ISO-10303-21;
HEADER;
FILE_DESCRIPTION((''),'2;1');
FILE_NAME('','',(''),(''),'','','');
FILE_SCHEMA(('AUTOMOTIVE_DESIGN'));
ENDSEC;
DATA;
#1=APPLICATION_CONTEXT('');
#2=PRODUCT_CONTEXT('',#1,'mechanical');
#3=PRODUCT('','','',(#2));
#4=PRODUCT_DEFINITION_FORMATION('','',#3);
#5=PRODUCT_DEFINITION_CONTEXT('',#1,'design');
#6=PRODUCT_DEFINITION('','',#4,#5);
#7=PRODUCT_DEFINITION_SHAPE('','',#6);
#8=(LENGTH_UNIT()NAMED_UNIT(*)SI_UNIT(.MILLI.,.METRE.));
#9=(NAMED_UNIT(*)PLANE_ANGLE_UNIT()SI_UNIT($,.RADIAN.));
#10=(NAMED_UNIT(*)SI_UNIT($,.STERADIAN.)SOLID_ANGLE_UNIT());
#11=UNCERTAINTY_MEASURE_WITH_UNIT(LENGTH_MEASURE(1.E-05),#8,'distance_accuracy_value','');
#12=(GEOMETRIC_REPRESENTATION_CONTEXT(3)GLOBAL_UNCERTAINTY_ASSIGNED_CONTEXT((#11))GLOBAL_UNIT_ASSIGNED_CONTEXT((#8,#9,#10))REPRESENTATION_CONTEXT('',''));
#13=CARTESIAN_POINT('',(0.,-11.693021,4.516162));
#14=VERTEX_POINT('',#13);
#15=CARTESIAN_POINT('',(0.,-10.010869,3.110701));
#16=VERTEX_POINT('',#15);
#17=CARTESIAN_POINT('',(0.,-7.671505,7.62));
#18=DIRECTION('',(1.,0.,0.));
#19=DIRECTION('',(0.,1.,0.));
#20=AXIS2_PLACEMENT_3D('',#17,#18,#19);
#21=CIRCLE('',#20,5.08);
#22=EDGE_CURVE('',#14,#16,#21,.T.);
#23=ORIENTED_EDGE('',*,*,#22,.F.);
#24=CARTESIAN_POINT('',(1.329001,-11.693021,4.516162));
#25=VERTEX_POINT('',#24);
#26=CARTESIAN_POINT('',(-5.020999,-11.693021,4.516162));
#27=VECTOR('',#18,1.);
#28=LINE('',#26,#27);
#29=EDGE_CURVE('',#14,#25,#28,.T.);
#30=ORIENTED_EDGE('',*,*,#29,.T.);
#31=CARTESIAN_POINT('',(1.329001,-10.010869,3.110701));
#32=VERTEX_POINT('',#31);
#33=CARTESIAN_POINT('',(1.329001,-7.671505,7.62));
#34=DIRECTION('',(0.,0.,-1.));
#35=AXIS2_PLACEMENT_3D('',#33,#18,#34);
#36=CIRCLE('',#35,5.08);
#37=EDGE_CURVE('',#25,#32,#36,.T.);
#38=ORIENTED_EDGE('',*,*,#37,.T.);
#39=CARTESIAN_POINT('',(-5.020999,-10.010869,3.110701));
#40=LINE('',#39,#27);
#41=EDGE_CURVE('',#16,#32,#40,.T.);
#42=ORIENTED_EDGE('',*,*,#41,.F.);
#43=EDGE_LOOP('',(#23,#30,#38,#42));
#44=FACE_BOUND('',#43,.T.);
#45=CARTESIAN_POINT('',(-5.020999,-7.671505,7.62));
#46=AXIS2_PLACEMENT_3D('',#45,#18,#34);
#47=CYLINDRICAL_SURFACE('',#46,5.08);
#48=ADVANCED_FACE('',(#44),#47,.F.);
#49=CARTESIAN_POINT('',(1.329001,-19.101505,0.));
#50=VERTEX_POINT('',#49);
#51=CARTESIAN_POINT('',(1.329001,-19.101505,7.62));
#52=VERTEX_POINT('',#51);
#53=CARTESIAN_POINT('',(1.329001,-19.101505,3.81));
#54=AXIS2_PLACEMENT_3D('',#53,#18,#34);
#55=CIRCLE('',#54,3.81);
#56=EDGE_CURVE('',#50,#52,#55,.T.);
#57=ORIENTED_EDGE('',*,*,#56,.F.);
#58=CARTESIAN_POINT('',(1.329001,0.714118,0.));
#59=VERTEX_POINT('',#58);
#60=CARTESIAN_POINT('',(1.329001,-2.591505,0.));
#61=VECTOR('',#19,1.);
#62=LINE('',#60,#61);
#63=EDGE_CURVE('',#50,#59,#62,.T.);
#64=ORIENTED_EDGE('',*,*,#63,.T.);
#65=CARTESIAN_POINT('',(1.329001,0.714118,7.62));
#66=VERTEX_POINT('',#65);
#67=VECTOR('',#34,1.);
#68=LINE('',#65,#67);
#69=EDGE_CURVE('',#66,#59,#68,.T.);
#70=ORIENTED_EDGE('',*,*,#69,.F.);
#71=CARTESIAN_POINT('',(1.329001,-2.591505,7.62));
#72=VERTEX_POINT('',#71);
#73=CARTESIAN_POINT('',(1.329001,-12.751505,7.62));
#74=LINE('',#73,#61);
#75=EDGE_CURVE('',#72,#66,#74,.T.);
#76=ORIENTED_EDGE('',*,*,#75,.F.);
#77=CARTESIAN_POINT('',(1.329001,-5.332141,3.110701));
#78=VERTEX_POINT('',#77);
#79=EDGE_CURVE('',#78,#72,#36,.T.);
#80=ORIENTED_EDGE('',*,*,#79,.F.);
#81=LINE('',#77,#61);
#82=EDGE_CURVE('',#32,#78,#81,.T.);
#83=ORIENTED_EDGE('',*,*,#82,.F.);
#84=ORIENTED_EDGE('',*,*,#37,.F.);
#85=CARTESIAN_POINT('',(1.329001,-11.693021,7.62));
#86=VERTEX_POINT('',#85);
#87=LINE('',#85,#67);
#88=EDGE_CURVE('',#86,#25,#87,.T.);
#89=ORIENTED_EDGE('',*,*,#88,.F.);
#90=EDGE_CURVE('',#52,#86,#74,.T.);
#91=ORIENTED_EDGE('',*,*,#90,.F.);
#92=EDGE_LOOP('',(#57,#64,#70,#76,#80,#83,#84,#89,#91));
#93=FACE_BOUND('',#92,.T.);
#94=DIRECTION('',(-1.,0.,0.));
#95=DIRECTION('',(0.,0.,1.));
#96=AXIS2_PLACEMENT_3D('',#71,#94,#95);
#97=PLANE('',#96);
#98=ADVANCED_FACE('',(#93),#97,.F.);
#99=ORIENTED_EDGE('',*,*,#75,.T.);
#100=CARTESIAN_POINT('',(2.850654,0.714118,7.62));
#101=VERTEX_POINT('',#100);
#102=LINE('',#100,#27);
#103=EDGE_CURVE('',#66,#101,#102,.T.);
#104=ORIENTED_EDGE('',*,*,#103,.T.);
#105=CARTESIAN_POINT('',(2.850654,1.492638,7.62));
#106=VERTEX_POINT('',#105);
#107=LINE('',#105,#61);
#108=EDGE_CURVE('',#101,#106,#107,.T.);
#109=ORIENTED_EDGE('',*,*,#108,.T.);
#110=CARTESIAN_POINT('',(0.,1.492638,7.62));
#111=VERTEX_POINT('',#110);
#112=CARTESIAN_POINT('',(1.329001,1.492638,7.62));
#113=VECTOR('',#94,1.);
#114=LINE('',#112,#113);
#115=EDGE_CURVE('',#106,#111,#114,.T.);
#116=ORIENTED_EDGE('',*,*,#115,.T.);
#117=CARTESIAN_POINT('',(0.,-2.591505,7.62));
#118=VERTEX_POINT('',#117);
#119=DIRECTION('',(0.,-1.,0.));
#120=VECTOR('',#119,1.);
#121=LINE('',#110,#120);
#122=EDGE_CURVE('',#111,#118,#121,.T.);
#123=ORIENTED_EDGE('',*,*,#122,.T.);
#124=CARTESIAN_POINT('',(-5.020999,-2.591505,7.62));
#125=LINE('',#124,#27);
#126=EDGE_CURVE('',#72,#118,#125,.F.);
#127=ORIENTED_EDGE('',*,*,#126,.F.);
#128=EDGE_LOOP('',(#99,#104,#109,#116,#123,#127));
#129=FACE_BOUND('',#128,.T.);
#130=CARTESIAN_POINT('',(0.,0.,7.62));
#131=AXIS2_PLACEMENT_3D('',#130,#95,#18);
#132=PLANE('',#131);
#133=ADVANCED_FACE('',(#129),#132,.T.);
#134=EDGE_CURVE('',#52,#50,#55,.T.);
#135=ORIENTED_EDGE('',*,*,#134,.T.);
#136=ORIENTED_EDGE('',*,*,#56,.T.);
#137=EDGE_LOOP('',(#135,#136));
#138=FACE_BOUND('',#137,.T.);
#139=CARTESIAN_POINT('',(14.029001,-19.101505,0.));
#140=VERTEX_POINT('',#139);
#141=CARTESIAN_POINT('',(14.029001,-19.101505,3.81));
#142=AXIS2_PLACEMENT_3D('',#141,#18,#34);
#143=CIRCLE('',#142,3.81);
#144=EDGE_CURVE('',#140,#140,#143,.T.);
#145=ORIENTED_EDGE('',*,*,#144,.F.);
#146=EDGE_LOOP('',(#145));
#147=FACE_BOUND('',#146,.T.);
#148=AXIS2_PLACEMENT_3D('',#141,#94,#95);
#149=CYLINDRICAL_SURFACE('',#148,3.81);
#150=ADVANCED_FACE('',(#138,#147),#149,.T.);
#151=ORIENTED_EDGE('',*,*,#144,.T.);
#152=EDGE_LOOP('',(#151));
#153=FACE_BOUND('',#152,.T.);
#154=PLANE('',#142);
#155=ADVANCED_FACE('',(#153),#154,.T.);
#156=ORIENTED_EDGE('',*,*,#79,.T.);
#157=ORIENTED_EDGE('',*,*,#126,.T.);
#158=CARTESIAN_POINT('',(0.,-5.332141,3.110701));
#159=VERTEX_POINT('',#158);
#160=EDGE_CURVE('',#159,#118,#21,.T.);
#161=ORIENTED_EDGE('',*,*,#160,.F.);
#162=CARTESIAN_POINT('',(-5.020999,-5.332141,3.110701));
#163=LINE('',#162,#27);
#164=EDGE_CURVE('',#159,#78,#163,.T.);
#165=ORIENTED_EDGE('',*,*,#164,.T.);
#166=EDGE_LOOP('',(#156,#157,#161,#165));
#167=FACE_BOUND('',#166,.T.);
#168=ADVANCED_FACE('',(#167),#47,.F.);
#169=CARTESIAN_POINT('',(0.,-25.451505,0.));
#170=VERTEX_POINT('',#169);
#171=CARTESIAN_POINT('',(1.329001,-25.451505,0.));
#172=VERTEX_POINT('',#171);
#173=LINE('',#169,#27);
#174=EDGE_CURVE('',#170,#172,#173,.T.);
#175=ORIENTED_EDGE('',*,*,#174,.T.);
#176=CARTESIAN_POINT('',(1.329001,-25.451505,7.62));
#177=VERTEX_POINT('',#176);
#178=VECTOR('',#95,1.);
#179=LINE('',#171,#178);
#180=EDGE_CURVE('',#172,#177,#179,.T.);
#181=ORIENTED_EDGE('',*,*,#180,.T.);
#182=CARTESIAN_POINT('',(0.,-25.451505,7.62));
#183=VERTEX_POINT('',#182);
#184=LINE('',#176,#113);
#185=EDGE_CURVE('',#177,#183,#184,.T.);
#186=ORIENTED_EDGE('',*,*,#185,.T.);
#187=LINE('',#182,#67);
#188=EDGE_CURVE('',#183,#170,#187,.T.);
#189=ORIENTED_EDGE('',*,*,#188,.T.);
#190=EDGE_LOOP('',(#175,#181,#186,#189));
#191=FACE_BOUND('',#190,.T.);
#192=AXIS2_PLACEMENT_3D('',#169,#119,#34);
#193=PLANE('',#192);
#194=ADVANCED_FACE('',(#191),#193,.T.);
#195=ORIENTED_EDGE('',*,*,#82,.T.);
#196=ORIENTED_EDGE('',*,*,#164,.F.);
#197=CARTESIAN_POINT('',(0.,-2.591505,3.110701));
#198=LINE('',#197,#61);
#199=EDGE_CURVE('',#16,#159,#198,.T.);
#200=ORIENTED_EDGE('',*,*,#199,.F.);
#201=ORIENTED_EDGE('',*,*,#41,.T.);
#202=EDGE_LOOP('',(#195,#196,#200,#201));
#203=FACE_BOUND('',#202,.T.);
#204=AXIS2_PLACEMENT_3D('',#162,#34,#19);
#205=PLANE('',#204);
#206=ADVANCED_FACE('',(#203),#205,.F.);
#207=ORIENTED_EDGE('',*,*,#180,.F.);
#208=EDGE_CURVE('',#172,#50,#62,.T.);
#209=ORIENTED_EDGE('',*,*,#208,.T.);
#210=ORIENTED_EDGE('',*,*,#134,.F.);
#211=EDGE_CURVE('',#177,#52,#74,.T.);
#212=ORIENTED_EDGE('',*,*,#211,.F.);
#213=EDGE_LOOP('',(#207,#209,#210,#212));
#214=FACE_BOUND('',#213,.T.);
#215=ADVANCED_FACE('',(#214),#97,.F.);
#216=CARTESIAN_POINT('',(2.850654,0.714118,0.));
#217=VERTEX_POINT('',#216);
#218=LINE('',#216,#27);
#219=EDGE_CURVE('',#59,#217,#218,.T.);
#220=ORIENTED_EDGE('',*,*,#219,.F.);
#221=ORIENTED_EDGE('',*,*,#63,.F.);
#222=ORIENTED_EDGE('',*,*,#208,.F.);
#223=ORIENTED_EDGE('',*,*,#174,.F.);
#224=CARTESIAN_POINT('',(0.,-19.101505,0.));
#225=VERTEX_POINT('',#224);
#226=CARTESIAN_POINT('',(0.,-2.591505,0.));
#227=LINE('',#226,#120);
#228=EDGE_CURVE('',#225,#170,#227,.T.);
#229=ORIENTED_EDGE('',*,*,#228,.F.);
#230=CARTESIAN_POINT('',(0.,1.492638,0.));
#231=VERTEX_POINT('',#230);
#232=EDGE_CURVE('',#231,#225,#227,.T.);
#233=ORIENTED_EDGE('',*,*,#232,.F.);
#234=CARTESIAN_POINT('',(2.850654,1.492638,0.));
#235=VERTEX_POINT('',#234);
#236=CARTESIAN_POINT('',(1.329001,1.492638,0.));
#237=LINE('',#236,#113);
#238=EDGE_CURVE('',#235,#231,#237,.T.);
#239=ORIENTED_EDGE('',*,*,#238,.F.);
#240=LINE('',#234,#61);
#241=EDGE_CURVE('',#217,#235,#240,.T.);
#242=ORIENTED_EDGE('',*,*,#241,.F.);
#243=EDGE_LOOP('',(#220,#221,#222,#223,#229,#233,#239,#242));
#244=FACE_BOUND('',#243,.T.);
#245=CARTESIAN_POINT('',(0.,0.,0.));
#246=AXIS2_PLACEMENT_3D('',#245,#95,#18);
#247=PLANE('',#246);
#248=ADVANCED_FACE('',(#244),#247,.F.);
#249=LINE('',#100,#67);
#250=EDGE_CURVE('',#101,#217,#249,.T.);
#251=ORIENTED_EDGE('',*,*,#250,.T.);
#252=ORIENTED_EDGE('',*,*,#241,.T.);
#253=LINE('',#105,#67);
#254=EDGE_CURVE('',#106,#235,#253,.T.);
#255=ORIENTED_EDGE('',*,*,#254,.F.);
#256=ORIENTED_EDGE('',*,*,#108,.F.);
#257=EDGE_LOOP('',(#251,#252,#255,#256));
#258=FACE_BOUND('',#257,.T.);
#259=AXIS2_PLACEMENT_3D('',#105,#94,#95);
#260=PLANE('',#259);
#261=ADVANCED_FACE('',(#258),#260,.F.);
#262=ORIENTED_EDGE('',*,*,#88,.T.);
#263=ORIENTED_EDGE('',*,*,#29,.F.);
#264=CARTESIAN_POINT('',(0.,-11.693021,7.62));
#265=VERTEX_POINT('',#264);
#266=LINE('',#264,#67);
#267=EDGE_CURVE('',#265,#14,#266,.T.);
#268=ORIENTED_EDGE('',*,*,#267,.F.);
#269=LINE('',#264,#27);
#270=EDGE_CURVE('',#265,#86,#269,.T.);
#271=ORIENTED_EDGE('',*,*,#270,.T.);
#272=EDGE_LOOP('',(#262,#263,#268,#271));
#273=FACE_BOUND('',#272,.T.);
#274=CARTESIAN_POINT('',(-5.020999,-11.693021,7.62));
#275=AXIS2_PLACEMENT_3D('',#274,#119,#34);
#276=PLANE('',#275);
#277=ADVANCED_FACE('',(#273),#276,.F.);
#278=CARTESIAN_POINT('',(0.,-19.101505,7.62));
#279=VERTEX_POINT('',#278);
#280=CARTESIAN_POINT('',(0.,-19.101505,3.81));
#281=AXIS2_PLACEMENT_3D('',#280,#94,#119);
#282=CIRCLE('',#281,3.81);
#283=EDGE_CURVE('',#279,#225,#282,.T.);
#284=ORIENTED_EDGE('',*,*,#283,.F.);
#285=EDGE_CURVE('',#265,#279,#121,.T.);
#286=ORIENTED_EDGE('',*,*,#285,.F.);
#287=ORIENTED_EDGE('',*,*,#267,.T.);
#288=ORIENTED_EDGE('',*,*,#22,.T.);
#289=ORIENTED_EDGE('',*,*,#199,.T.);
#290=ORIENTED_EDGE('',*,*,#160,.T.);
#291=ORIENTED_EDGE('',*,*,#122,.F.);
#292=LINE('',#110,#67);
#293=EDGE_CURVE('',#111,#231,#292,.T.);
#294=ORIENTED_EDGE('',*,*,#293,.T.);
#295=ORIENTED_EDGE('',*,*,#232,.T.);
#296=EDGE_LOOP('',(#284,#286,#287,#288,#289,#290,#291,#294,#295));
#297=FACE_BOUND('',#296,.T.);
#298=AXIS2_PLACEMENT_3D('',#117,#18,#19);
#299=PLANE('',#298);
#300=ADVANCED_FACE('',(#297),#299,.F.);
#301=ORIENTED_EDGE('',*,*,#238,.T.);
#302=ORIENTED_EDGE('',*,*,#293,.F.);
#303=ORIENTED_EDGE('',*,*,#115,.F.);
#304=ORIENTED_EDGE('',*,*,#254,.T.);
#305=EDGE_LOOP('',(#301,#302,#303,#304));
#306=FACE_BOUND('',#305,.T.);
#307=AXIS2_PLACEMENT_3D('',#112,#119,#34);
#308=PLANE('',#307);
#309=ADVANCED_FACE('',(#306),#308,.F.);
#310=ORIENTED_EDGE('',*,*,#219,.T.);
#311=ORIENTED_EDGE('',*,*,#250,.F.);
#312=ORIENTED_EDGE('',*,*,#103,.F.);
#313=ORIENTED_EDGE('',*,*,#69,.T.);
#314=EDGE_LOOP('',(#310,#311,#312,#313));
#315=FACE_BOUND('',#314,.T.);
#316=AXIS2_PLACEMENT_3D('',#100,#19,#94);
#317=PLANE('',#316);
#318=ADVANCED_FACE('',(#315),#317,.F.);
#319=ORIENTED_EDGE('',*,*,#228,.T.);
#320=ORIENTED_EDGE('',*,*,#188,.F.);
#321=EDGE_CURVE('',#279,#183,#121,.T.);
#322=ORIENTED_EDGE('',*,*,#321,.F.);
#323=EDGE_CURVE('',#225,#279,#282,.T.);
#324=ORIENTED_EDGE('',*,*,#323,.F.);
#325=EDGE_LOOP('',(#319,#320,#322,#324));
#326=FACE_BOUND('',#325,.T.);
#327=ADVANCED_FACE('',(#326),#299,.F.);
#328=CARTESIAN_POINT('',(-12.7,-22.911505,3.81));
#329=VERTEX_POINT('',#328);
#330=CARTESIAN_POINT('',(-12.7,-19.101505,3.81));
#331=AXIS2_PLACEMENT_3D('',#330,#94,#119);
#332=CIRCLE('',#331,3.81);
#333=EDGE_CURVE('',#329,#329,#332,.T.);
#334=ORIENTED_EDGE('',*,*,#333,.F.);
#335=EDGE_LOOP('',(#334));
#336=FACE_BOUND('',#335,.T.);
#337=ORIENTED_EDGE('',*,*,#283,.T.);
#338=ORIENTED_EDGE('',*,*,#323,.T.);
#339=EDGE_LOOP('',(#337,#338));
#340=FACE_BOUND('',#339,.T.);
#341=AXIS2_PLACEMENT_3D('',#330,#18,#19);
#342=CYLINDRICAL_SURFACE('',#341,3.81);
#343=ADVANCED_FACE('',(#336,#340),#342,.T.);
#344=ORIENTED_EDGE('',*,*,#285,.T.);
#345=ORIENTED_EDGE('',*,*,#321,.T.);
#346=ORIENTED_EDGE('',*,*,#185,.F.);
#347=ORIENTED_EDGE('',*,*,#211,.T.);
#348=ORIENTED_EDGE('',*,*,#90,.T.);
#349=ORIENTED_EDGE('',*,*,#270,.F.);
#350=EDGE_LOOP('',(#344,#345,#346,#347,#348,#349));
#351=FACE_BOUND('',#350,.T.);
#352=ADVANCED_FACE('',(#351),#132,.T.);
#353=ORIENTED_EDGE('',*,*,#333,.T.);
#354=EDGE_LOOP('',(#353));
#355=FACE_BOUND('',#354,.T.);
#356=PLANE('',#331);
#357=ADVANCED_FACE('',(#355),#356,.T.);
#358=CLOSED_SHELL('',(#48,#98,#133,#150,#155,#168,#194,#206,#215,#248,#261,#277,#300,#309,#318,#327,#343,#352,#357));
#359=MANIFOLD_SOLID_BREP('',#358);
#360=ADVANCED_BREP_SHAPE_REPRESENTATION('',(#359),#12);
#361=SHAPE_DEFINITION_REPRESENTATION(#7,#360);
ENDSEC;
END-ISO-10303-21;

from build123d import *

# Parameters (mm, degrees)
BOSS_EXTRUDE1_DEPTH = 7.62
CUT_EXTRUDE2_DEPTH  = 6.35
SKETCH7_W           = 1.329001146
SKETCH7_H           = 7.62
BOSS_EXTRUDE2_DEPTH = 12.7
SKETCH8_R           = 3.81
BOSS_EXTRUDE3_DEPTH = 12.7
BOSS_EXTRUDE4_START = 12.7
SKETCH9_R           = 3.81
BOSS_EXTRUDE4_DEPTH = 12.7


with BuildPart() as part:
    # Sketch2 → Boss-Extrude1 (new body)
    with BuildSketch(Plane.XY):
        Polygon((1.329001146, -2.591505287), (1.329001146, 0.714117771), (2.850653855, 0.714117771), (2.850653855, 1.492637762), (1.329001146, 1.492637762), (0, 1.492637762), (0, 0.714117771), (0, -2.591505287), (0, -12.751505287), (1.329001146, -12.751505287), align=None)
    extrude(amount=BOSS_EXTRUDE1_DEPTH)

    # Sketch4 → Cut-Extrude2 (cut)
    with BuildSketch(Plane(origin=(1.329001146, 0, 0), x_dir=(0, 0, -1), z_dir=(1, 0, 0))):
        with BuildLine():
            Line((-3.110701149, -5.332141298), (-3.110701149, -10.010869275))
            ThreePointArc((-3.110701149, -10.010869275), (-3.721619208, -10.928655452), (-4.516161712, -11.693020907))
            Line((-4.516161712, -11.693020907), (-7.62, -11.693020907))
            Line((-7.62, -11.693020907), (-7.62, -2.591505287))
            ThreePointArc((-7.62, -2.591505287), (-4.981588457, -3.330401218), (-3.110701149, -5.332141298))
        make_face()
    extrude(amount=-CUT_EXTRUDE2_DEPTH, mode=Mode.SUBTRACT)

    # Sketch7 → Boss-Extrude2 (add)
    with BuildSketch(Plane.XZ.offset(12.751505287)):
        with Locations((0.664500573, 3.81)):
            Rectangle(SKETCH7_W, SKETCH7_H)
    extrude(amount=BOSS_EXTRUDE2_DEPTH)

    # Sketch8 → Boss-Extrude3 (add)
    with BuildSketch(Plane(origin=(1.329001146, 0, 0), x_dir=(0, 0, -1), z_dir=(1, 0, 0))):
        with Locations((-3.81, -19.101505287)):
            Circle(SKETCH8_R)
    extrude(amount=BOSS_EXTRUDE3_DEPTH)

    # Sketch9 → Boss-Extrude4 (add)
    with BuildSketch(Plane.ZY.offset(BOSS_EXTRUDE4_START)):
        with Locations(Location((3.81, -19.101505287, 0), (0, 0, 180))):
            Circle(SKETCH9_R)
    extrude(amount=-BOSS_EXTRUDE4_DEPTH)


solid = part.part
